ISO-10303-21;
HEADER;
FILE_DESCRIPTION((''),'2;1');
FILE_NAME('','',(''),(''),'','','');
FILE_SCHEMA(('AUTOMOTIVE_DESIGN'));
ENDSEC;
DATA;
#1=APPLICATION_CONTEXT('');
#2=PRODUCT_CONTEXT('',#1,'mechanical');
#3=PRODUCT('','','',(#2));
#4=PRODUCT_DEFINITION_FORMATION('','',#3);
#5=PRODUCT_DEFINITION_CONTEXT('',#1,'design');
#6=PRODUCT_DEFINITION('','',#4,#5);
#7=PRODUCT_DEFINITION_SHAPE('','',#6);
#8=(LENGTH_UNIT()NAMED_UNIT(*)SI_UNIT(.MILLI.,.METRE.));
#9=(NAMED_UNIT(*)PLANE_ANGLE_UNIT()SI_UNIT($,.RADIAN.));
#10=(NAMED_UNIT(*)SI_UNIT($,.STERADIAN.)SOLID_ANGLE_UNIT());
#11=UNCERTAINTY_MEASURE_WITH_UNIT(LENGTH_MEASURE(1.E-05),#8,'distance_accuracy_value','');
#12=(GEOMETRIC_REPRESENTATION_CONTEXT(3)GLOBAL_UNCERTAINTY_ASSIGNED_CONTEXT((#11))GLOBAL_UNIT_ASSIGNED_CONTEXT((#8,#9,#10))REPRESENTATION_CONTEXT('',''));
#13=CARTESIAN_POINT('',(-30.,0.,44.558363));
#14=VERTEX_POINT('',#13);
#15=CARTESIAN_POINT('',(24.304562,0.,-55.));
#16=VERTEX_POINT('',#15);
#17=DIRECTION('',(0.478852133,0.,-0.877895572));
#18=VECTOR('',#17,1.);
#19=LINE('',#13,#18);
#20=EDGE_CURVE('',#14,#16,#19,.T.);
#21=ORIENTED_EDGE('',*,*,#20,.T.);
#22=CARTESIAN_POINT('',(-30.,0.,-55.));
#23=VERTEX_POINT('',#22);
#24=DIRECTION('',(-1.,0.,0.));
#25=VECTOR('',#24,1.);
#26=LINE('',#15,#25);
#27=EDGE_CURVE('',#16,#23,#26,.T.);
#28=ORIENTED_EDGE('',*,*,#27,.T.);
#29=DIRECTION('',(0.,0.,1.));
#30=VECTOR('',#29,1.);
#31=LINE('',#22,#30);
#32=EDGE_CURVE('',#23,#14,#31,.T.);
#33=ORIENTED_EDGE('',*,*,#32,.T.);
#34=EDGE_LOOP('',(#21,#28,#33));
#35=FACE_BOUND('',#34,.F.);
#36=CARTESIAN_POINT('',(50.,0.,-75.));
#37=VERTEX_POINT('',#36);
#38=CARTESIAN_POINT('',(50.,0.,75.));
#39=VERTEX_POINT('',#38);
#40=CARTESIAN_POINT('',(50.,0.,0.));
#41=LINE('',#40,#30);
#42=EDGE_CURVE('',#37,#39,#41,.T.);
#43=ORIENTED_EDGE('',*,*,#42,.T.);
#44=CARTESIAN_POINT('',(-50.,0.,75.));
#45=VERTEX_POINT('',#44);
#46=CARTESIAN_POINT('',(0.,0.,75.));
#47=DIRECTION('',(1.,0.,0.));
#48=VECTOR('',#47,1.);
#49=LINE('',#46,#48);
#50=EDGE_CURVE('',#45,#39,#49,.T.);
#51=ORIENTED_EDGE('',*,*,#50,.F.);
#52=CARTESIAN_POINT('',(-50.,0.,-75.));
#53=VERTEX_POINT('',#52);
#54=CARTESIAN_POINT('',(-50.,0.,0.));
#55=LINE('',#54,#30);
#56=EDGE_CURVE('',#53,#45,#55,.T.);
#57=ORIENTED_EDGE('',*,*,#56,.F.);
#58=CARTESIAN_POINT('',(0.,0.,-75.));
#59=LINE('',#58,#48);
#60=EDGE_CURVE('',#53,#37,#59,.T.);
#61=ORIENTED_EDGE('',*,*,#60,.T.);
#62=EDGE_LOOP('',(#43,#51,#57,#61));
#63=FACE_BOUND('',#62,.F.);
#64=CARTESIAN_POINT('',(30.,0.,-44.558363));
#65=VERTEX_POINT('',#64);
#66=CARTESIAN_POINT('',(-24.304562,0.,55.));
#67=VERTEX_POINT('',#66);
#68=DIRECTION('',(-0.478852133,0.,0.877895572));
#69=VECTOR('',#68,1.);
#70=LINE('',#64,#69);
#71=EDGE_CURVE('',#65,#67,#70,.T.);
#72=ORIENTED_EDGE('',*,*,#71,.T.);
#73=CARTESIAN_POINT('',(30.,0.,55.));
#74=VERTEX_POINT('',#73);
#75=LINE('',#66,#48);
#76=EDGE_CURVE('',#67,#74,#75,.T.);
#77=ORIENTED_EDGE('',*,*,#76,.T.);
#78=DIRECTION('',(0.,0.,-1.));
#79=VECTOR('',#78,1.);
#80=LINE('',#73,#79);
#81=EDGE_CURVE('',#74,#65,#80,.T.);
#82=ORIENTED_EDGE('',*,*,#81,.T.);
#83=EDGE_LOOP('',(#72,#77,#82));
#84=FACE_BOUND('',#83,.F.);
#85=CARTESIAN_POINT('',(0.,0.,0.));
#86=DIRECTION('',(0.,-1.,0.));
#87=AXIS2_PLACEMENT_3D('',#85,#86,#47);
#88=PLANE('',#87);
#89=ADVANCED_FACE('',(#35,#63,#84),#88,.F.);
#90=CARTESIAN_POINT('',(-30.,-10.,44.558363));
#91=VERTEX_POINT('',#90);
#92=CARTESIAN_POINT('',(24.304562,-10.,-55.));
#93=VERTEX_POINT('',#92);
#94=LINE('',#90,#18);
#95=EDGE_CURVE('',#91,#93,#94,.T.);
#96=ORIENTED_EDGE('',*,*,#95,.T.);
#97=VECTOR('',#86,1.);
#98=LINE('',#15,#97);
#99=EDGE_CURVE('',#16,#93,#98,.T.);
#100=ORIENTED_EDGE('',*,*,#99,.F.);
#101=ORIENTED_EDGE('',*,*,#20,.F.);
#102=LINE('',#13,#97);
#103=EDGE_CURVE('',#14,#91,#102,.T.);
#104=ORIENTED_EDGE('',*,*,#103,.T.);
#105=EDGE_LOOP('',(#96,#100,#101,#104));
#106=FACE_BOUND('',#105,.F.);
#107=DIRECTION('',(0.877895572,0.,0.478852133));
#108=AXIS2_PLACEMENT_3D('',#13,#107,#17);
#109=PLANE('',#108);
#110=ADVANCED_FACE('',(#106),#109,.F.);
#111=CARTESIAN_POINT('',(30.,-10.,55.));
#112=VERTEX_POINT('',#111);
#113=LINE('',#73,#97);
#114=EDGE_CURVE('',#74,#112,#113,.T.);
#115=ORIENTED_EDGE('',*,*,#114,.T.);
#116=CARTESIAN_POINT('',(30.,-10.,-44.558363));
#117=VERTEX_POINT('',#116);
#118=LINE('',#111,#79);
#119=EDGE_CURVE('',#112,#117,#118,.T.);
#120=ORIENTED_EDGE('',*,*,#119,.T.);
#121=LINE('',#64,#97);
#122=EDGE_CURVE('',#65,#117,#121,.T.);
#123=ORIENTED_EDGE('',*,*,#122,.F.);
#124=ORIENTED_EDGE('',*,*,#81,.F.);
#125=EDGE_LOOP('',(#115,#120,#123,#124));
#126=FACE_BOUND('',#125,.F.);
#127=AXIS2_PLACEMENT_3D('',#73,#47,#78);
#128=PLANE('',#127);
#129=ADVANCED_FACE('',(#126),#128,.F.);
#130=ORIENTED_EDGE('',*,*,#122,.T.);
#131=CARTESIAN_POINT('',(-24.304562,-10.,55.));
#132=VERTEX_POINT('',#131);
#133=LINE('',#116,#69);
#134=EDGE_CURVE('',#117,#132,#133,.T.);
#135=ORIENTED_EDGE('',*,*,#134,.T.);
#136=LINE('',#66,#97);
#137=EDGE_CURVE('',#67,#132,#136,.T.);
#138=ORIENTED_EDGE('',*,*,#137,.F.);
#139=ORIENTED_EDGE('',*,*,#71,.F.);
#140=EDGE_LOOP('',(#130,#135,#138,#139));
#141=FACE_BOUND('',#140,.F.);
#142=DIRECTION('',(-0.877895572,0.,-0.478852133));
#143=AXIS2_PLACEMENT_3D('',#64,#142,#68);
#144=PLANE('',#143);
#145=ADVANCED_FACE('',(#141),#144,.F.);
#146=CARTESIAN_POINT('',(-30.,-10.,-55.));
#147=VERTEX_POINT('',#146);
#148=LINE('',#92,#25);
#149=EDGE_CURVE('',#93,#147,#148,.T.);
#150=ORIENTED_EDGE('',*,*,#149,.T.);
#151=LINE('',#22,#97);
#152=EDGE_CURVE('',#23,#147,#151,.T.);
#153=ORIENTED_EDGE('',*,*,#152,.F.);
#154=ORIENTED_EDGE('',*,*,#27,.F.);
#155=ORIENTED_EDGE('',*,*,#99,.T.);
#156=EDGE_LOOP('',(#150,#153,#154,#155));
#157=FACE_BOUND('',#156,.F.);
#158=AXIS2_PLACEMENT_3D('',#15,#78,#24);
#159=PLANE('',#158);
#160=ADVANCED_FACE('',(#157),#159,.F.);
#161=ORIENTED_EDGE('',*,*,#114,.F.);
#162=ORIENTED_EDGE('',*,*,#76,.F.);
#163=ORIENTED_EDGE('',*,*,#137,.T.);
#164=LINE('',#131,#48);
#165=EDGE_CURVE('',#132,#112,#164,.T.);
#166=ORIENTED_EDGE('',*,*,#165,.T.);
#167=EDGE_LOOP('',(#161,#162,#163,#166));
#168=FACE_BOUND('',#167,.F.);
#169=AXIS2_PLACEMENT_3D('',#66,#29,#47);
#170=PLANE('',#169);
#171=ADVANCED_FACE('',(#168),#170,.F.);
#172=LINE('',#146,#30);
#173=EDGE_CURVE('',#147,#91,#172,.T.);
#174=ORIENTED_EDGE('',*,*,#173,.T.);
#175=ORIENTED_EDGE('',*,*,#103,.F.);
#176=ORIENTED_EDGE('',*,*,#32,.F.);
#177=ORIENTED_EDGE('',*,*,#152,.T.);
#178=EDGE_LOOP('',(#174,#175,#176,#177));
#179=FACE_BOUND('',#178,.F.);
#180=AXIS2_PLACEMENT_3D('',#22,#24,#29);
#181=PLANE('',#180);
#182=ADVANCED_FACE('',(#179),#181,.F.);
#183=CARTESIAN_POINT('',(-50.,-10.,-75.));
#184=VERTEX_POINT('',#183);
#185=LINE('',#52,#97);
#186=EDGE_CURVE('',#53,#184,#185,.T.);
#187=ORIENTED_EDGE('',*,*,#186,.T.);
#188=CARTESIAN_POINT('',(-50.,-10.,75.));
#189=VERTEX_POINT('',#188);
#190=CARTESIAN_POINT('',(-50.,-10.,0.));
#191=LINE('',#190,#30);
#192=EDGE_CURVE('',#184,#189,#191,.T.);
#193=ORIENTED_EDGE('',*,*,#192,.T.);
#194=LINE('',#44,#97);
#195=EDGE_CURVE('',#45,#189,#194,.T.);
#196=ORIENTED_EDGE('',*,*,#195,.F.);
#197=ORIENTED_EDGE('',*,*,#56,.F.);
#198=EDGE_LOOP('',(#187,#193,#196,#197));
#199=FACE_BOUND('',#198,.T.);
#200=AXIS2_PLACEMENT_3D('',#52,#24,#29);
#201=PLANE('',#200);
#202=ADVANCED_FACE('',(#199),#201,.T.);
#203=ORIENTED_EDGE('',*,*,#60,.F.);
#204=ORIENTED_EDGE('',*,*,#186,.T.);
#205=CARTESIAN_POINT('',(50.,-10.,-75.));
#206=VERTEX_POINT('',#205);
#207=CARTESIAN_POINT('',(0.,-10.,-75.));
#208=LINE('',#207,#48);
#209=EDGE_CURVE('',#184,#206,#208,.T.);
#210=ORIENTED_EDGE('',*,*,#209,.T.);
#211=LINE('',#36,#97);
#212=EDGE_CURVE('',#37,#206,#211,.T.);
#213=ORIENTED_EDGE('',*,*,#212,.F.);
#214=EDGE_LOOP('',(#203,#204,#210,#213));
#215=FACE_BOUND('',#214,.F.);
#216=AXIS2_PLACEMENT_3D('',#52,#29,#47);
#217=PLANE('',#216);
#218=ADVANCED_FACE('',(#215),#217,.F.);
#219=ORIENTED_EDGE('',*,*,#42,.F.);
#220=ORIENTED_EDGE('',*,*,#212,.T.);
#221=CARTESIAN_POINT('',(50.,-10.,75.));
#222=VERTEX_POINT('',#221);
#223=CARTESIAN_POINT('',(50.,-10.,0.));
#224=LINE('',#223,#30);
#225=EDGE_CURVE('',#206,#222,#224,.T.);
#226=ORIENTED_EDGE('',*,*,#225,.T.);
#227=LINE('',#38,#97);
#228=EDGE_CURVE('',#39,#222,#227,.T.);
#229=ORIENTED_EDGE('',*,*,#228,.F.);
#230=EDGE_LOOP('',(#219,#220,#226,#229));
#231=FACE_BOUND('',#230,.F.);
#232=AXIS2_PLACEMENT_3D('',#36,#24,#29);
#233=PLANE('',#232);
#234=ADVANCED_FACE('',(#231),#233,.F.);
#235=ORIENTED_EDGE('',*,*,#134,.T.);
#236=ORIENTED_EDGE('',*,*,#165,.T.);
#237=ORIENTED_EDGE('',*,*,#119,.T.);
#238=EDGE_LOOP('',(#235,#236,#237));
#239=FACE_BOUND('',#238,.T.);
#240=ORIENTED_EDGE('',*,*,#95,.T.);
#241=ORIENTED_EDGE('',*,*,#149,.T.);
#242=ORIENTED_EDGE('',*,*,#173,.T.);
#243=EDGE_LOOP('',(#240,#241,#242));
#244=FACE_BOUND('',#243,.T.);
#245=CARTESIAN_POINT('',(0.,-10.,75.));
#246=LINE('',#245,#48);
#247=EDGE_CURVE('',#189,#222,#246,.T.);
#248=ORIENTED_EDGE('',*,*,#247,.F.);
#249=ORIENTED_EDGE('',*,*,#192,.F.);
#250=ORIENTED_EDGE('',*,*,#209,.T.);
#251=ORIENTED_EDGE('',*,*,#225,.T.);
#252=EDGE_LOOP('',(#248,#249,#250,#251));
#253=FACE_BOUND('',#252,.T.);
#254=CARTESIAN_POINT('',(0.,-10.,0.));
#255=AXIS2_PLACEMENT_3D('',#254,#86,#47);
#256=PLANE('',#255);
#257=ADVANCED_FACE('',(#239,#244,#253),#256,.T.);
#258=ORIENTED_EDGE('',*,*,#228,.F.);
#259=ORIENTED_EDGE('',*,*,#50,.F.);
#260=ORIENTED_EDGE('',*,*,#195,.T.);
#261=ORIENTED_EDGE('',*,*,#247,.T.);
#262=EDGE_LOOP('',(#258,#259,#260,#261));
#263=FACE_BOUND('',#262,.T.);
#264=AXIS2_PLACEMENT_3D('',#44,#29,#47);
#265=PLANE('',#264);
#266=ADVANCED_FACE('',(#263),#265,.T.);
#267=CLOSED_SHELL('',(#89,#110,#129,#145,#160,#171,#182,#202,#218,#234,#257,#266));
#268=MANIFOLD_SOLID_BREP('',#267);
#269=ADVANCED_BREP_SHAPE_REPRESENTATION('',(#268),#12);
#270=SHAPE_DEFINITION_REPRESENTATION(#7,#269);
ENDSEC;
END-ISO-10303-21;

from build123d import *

# Parameters (mm, degrees)
F0_W     = 100
F0_H     = 150
F1_DEPTH = 10


with BuildPart() as f1:
    # F0 (on Front) → F1 (new body)
    with BuildSketch(Plane.XZ):
        Rectangle(F0_W, F0_H)
        Polygon((-30, -55), (-30, 44.558363), (24.304562, -55), align=None, mode=Mode.SUBTRACT)
        Polygon((-24.304562, 55), (30, 55), (30, -44.558363), align=None, mode=Mode.SUBTRACT)
    extrude(amount=F1_DEPTH)


solid = f1.part
